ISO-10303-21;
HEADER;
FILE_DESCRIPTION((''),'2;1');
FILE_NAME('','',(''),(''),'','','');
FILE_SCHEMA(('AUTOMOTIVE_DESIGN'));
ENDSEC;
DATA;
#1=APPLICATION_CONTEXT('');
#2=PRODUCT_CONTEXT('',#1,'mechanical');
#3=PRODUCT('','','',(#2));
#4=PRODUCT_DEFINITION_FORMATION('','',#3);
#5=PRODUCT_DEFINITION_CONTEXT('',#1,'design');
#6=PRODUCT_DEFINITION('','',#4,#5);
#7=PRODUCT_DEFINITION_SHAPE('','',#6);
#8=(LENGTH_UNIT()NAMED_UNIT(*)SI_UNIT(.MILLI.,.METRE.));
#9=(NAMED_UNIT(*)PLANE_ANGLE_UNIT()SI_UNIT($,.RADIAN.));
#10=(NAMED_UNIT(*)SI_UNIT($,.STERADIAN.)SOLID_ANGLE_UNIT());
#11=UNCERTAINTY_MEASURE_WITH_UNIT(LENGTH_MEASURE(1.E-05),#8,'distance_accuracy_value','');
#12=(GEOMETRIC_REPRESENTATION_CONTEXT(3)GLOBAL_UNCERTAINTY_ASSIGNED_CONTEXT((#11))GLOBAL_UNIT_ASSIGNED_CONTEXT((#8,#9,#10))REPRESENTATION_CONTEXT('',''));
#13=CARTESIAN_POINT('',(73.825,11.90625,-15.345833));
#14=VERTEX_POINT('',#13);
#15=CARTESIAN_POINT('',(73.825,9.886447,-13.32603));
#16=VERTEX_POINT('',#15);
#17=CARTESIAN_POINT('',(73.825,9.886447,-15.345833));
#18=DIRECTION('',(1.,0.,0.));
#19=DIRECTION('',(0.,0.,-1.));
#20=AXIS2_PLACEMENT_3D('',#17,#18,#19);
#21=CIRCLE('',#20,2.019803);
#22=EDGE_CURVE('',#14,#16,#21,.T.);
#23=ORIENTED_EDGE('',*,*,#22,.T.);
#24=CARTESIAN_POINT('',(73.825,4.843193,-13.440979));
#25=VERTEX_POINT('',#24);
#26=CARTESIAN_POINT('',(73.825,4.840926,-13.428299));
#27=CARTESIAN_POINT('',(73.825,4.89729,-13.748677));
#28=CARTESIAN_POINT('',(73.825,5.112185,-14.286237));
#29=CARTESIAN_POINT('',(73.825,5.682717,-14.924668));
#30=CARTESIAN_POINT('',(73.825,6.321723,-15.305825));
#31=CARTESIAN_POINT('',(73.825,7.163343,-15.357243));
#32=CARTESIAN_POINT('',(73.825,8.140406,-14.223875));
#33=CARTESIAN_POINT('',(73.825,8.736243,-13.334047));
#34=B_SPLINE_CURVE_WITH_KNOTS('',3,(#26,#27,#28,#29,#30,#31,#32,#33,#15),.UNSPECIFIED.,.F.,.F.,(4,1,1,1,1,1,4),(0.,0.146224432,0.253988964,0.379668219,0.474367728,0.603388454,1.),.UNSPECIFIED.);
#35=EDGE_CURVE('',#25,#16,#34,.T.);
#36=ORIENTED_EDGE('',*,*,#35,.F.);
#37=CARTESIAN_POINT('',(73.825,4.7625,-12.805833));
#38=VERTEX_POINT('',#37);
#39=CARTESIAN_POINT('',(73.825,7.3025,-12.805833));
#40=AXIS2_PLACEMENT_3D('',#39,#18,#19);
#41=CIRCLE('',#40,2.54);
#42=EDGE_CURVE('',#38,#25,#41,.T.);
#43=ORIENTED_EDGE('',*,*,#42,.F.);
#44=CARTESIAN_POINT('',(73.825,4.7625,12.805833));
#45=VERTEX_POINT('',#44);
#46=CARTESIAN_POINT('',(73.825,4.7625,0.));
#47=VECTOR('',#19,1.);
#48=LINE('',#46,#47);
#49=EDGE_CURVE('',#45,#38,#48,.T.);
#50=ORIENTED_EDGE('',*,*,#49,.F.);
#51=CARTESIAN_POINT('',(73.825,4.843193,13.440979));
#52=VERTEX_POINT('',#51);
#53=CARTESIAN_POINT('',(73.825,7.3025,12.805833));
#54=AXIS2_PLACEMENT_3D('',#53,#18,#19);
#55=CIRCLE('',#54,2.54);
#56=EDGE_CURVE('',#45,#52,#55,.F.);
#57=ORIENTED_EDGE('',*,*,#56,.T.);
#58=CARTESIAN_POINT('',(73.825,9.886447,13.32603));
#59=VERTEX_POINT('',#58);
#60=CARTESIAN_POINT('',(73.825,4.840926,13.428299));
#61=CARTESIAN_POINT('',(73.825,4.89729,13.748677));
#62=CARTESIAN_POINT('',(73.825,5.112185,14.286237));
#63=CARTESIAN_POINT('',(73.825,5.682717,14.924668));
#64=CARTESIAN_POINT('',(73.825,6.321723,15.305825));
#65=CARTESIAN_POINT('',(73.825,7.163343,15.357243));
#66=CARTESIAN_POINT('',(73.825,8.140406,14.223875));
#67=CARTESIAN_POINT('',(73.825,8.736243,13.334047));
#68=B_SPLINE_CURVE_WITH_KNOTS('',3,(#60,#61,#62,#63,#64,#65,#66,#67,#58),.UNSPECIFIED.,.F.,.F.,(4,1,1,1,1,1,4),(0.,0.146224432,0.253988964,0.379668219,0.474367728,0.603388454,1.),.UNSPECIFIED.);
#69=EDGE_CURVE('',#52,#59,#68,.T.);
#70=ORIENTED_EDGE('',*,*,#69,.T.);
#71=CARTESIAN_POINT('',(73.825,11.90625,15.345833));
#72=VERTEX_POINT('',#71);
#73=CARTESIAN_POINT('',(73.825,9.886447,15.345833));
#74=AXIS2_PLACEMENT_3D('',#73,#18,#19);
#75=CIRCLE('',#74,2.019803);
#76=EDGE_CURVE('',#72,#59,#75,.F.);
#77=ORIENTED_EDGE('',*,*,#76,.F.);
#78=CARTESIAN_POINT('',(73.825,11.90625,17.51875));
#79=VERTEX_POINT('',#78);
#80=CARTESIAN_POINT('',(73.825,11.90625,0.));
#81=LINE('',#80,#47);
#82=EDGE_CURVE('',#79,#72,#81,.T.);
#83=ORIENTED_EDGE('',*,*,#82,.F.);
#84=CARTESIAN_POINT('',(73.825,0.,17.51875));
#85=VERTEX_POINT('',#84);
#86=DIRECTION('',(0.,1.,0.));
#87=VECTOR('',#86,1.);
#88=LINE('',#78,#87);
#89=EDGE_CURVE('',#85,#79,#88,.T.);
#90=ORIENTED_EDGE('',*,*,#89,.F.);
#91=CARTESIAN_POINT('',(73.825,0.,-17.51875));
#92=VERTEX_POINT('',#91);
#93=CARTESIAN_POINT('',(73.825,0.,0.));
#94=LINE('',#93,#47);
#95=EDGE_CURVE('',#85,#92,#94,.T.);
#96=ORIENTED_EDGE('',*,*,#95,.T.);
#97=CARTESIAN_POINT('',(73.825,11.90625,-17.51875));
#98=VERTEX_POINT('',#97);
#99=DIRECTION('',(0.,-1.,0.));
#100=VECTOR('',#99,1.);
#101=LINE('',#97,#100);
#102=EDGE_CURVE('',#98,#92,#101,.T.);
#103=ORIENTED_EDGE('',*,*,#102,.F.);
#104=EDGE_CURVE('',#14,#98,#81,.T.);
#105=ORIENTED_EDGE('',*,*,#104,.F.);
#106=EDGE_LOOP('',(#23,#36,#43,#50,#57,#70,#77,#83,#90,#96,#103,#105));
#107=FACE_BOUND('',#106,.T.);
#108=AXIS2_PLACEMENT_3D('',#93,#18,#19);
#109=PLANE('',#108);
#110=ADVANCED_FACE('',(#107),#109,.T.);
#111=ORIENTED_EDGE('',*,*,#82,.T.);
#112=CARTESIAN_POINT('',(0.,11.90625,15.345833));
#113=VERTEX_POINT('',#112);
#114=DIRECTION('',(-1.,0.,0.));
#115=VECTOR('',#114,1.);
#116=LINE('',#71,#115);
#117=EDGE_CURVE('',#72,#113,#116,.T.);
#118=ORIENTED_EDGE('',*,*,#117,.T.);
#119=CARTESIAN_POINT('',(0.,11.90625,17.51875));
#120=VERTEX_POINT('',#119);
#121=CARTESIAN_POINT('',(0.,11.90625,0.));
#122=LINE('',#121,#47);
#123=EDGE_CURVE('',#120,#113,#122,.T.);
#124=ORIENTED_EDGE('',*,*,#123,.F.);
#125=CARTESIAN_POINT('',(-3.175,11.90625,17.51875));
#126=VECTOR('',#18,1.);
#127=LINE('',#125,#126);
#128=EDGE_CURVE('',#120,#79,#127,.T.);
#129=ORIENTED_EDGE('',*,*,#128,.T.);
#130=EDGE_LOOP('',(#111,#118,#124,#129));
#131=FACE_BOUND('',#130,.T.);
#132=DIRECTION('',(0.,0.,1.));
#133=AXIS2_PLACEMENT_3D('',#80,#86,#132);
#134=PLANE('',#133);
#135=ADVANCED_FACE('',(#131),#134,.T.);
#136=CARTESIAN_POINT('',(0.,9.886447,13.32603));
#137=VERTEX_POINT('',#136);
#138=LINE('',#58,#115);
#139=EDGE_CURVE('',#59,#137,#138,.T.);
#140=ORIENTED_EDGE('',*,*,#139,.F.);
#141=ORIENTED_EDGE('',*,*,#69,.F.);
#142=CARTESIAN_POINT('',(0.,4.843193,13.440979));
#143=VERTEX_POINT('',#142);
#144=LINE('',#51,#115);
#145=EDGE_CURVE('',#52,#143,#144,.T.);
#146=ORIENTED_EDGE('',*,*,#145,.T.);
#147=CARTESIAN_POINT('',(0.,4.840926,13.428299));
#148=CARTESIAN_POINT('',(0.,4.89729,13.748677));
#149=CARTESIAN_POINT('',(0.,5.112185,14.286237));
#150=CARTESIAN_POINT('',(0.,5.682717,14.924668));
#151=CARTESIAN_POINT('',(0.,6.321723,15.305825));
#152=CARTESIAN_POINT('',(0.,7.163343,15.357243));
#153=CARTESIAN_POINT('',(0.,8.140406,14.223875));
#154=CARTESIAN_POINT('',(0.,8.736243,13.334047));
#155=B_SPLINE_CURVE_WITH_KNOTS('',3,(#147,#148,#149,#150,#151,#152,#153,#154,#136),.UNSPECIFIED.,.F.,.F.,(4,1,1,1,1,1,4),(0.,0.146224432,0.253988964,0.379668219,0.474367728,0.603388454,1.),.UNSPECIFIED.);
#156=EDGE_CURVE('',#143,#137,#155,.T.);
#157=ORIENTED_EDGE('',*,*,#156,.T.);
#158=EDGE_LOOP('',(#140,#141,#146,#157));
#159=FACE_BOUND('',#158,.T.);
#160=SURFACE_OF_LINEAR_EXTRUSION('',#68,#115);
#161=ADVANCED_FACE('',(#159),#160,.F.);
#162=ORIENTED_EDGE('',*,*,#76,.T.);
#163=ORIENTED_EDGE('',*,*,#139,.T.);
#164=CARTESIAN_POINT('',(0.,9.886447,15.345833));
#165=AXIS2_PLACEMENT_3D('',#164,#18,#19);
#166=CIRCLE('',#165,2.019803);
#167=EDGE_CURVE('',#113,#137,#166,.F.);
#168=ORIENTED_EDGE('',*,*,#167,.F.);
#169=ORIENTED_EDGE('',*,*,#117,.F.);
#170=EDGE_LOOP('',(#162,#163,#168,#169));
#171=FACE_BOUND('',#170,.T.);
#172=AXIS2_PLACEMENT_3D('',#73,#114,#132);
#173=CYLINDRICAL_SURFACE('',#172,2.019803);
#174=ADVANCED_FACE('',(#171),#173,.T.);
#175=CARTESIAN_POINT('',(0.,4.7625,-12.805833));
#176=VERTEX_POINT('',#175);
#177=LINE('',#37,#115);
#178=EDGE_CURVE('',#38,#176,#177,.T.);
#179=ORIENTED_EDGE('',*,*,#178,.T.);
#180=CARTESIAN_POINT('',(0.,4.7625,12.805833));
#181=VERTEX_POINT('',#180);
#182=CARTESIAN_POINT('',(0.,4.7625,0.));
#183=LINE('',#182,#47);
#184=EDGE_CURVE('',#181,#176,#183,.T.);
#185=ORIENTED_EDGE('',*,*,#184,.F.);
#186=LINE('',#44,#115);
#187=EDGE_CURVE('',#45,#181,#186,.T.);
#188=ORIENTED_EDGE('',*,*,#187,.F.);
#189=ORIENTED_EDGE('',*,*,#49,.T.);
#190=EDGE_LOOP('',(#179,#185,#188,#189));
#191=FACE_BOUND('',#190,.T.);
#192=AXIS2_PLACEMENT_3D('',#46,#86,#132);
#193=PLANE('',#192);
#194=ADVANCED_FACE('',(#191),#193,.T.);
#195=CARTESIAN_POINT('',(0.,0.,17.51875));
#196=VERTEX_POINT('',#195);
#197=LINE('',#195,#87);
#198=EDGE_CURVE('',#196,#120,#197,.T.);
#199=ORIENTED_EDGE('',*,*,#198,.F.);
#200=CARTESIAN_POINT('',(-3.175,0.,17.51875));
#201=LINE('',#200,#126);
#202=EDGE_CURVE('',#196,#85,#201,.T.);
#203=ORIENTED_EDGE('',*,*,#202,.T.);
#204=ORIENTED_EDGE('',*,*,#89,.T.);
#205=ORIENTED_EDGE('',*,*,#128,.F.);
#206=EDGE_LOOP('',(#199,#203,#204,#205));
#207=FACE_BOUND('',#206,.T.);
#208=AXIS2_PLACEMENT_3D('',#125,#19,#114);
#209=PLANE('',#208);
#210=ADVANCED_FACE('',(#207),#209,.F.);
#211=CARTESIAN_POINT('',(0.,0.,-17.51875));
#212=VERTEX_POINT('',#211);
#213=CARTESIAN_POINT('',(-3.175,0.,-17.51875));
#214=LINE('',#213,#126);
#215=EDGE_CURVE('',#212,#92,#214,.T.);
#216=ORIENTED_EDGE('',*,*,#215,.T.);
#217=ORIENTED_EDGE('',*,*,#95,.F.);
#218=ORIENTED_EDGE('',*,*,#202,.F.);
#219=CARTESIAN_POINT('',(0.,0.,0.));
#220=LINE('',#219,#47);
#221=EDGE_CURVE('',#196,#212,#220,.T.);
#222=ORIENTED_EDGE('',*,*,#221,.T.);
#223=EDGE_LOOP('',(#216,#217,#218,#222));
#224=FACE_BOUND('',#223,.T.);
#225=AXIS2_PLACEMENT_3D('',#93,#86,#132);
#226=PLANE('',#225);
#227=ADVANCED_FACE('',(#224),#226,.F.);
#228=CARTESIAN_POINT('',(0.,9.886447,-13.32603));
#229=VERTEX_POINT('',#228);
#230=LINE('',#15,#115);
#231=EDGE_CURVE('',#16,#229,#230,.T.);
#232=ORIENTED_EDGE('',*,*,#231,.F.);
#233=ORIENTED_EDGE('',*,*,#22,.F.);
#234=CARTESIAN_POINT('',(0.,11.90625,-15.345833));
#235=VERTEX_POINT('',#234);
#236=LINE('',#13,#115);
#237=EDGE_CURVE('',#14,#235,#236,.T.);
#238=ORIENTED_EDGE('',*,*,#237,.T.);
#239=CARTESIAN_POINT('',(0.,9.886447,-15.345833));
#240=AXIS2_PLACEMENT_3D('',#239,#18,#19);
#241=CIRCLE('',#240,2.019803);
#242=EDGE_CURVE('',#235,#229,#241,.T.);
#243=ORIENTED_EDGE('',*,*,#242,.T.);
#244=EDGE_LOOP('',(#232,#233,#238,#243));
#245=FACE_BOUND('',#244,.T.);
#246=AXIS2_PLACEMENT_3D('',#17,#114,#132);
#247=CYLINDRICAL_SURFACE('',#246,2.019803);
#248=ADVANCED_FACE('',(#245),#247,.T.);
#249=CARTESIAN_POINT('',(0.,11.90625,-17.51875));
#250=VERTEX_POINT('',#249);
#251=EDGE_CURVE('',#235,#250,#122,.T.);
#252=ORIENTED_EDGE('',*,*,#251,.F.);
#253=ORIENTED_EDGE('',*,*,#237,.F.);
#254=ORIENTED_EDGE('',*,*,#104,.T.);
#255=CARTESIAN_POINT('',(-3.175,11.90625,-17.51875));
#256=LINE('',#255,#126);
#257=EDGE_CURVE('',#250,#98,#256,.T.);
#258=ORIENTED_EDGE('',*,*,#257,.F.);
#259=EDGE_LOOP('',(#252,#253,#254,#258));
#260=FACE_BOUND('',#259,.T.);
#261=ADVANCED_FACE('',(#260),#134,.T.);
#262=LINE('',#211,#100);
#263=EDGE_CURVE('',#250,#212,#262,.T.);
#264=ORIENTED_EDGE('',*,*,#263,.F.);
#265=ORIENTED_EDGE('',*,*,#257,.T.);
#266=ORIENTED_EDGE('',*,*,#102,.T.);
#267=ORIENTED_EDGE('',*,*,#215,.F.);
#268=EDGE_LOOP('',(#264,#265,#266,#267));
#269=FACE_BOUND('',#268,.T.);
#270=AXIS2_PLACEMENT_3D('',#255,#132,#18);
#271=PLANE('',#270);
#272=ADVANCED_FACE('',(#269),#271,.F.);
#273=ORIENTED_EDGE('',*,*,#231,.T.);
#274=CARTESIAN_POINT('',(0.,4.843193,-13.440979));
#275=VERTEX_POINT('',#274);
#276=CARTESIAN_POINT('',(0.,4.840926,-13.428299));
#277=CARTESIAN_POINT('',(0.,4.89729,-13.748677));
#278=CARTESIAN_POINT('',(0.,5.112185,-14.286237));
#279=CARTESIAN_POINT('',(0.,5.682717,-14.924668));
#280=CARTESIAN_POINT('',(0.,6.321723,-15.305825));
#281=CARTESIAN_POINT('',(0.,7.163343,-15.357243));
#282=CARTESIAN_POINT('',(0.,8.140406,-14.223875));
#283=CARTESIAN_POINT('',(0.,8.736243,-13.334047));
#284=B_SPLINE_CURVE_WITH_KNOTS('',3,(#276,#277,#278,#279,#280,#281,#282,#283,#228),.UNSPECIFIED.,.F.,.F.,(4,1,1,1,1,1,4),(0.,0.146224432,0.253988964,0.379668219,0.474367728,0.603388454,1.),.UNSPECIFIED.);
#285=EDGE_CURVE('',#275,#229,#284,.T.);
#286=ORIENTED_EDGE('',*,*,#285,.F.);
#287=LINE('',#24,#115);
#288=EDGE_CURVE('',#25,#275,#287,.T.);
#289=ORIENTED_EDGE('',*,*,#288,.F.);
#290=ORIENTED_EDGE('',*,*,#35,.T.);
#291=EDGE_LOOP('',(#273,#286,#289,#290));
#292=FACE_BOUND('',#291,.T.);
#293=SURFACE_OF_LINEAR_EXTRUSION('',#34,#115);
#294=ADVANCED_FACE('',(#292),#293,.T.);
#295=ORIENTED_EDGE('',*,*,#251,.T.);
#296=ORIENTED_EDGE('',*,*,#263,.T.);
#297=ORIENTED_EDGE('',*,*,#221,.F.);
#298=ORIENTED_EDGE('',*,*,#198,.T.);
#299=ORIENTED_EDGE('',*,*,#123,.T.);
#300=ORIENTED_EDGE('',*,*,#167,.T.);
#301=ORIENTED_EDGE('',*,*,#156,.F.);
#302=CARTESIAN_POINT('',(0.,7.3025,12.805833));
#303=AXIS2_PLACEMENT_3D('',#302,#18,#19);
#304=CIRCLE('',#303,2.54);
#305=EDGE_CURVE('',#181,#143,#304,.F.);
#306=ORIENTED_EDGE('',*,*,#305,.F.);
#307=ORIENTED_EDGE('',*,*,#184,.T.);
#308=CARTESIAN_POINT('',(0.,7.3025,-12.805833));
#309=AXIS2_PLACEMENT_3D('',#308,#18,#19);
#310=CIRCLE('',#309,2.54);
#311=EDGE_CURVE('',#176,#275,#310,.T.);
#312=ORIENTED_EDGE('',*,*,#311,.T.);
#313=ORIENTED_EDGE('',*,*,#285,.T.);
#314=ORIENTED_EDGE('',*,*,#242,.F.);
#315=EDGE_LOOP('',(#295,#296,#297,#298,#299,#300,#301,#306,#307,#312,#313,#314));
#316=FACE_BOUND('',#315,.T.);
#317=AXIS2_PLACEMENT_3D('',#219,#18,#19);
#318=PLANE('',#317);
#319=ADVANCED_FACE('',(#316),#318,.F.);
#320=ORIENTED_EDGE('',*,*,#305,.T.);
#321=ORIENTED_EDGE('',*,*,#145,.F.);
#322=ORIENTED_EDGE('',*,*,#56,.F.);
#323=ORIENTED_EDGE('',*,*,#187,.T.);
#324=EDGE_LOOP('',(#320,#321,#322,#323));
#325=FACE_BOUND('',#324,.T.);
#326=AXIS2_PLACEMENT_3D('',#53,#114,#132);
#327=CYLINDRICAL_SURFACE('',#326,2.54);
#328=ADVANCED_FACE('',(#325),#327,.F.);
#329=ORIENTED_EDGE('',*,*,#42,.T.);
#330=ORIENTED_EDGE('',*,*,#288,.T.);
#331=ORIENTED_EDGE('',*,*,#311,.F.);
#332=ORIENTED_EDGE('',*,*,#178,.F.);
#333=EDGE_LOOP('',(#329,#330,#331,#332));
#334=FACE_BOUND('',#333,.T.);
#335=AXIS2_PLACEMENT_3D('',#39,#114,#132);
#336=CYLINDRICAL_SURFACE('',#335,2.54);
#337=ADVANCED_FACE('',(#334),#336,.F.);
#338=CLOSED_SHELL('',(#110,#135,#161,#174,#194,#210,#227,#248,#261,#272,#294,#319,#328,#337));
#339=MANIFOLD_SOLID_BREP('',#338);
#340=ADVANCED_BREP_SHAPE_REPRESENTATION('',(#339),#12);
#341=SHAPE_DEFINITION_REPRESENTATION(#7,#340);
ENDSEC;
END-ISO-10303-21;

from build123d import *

# Parameters (mm, degrees)
BOSS_EXTRUDE1_DEPTH = 73.824999924
SKETCH2_W           = 5.5
SKETCH2_H           = 11.90625
CUT_EXTRUDE1_DEPTH  = 77


with BuildPart() as part:
    # Sketch1 → Boss-Extrude1 (new body)
    with BuildSketch(Plane(origin=(0, 0, 0), x_dir=(0, 0, -1), z_dir=(1, 0, 0))):
        with BuildLine():
            Line((-16.615833333, 11.90625), (-23.01875, 11.90625))
            Line((-23.01875, 11.90625), (-23.01875, 0))
            Line((-23.01875, 0), (23.01875, 0))
            Line((23.01875, 0), (23.01875, 11.90625))
            Line((23.01875, 11.90625), (16.615833333, 11.90625))
            Line((16.615833333, 11.90625), (15.345833333, 11.90625))
            ThreePointArc((15.345833333, 11.90625), (13.917616741, 11.314663318), (13.326030059, 9.886446726))
            add(Edge.make_bspline(
                [(13.328163425, 9.793638273), (13.326964681, 9.82406182), (13.32624931, 9.854992294), (13.326030059, 9.886446726)],
                knots=[0.989153926, 0.989153926, 0.989153926, 0.989153926, 1, 1, 1, 1], degree=3))
            add(Edge.make_bspline(
                [(13.44097879, 4.843193137), (13.756839485, 4.900565232), (14.289482388, 5.115085376), (14.924667677, 5.682716987), (15.305824568, 6.321722829), (15.357243262, 7.163342963), (14.243691121, 8.123322783), (13.37079951, 8.71155514), (13.328163425, 9.793638273)],
                knots=[0.001929893, 0.001929893, 0.001929893, 0.001929893, 0.146224432, 0.253988964, 0.379668219, 0.474367728, 0.603388454, 0.989153926, 0.989153926, 0.989153926, 0.989153926], degree=3))
            ThreePointArc((13.44097879, 4.843193137), (13.125958752, 4.782754037), (12.805833333, 4.7625))
            Line((12.805833333, 4.7625), (-12.805833333, 4.7625))
            ThreePointArc((-12.805833333, 4.7625), (-13.125958752, 4.782754037), (-13.44097879, 4.843193137))
            add(Edge.make_bspline(
                [(-13.44097879, 4.843193137), (-13.756839485, 4.900565232), (-14.289482388, 5.115085376), (-14.924667677, 5.682716987), (-15.305824568, 6.321722829), (-15.357243262, 7.163342963), (-14.243691121, 8.123322783), (-13.37079951, 8.71155514), (-13.328163425, 9.793638273)],
                knots=[0.001929893, 0.001929893, 0.001929893, 0.001929893, 0.146224432, 0.253988964, 0.379668219, 0.474367728, 0.603388454, 0.989153926, 0.989153926, 0.989153926, 0.989153926], degree=3))
            add(Edge.make_bspline(
                [(-13.328163425, 9.793638273), (-13.326964681, 9.82406182), (-13.32624931, 9.854992294), (-13.326030059, 9.886446726)],
                knots=[0.989153926, 0.989153926, 0.989153926, 0.989153926, 1, 1, 1, 1], degree=3))
            ThreePointArc((-13.326030059, 9.886446726), (-13.917616741, 11.314663318), (-15.345833333, 11.90625))
            Line((-15.345833333, 11.90625), (-16.615833333, 11.90625))
        make_face()
    extrude(amount=BOSS_EXTRUDE1_DEPTH)

    # Sketch2 → Cut-Extrude1 (cut)
    with BuildSketch(Plane(origin=(73.824999924, 0, 0), x_dir=(0, 0, -1), z_dir=(1, 0, 0))):
        with Locations((-20.26875, 5.953125)):
            Rectangle(SKETCH2_W, SKETCH2_H)
        with Locations((20.26875, 5.953125)):
            Rectangle(SKETCH2_W, SKETCH2_H)
    extrude(amount=-CUT_EXTRUDE1_DEPTH, mode=Mode.SUBTRACT)


solid = part.part
